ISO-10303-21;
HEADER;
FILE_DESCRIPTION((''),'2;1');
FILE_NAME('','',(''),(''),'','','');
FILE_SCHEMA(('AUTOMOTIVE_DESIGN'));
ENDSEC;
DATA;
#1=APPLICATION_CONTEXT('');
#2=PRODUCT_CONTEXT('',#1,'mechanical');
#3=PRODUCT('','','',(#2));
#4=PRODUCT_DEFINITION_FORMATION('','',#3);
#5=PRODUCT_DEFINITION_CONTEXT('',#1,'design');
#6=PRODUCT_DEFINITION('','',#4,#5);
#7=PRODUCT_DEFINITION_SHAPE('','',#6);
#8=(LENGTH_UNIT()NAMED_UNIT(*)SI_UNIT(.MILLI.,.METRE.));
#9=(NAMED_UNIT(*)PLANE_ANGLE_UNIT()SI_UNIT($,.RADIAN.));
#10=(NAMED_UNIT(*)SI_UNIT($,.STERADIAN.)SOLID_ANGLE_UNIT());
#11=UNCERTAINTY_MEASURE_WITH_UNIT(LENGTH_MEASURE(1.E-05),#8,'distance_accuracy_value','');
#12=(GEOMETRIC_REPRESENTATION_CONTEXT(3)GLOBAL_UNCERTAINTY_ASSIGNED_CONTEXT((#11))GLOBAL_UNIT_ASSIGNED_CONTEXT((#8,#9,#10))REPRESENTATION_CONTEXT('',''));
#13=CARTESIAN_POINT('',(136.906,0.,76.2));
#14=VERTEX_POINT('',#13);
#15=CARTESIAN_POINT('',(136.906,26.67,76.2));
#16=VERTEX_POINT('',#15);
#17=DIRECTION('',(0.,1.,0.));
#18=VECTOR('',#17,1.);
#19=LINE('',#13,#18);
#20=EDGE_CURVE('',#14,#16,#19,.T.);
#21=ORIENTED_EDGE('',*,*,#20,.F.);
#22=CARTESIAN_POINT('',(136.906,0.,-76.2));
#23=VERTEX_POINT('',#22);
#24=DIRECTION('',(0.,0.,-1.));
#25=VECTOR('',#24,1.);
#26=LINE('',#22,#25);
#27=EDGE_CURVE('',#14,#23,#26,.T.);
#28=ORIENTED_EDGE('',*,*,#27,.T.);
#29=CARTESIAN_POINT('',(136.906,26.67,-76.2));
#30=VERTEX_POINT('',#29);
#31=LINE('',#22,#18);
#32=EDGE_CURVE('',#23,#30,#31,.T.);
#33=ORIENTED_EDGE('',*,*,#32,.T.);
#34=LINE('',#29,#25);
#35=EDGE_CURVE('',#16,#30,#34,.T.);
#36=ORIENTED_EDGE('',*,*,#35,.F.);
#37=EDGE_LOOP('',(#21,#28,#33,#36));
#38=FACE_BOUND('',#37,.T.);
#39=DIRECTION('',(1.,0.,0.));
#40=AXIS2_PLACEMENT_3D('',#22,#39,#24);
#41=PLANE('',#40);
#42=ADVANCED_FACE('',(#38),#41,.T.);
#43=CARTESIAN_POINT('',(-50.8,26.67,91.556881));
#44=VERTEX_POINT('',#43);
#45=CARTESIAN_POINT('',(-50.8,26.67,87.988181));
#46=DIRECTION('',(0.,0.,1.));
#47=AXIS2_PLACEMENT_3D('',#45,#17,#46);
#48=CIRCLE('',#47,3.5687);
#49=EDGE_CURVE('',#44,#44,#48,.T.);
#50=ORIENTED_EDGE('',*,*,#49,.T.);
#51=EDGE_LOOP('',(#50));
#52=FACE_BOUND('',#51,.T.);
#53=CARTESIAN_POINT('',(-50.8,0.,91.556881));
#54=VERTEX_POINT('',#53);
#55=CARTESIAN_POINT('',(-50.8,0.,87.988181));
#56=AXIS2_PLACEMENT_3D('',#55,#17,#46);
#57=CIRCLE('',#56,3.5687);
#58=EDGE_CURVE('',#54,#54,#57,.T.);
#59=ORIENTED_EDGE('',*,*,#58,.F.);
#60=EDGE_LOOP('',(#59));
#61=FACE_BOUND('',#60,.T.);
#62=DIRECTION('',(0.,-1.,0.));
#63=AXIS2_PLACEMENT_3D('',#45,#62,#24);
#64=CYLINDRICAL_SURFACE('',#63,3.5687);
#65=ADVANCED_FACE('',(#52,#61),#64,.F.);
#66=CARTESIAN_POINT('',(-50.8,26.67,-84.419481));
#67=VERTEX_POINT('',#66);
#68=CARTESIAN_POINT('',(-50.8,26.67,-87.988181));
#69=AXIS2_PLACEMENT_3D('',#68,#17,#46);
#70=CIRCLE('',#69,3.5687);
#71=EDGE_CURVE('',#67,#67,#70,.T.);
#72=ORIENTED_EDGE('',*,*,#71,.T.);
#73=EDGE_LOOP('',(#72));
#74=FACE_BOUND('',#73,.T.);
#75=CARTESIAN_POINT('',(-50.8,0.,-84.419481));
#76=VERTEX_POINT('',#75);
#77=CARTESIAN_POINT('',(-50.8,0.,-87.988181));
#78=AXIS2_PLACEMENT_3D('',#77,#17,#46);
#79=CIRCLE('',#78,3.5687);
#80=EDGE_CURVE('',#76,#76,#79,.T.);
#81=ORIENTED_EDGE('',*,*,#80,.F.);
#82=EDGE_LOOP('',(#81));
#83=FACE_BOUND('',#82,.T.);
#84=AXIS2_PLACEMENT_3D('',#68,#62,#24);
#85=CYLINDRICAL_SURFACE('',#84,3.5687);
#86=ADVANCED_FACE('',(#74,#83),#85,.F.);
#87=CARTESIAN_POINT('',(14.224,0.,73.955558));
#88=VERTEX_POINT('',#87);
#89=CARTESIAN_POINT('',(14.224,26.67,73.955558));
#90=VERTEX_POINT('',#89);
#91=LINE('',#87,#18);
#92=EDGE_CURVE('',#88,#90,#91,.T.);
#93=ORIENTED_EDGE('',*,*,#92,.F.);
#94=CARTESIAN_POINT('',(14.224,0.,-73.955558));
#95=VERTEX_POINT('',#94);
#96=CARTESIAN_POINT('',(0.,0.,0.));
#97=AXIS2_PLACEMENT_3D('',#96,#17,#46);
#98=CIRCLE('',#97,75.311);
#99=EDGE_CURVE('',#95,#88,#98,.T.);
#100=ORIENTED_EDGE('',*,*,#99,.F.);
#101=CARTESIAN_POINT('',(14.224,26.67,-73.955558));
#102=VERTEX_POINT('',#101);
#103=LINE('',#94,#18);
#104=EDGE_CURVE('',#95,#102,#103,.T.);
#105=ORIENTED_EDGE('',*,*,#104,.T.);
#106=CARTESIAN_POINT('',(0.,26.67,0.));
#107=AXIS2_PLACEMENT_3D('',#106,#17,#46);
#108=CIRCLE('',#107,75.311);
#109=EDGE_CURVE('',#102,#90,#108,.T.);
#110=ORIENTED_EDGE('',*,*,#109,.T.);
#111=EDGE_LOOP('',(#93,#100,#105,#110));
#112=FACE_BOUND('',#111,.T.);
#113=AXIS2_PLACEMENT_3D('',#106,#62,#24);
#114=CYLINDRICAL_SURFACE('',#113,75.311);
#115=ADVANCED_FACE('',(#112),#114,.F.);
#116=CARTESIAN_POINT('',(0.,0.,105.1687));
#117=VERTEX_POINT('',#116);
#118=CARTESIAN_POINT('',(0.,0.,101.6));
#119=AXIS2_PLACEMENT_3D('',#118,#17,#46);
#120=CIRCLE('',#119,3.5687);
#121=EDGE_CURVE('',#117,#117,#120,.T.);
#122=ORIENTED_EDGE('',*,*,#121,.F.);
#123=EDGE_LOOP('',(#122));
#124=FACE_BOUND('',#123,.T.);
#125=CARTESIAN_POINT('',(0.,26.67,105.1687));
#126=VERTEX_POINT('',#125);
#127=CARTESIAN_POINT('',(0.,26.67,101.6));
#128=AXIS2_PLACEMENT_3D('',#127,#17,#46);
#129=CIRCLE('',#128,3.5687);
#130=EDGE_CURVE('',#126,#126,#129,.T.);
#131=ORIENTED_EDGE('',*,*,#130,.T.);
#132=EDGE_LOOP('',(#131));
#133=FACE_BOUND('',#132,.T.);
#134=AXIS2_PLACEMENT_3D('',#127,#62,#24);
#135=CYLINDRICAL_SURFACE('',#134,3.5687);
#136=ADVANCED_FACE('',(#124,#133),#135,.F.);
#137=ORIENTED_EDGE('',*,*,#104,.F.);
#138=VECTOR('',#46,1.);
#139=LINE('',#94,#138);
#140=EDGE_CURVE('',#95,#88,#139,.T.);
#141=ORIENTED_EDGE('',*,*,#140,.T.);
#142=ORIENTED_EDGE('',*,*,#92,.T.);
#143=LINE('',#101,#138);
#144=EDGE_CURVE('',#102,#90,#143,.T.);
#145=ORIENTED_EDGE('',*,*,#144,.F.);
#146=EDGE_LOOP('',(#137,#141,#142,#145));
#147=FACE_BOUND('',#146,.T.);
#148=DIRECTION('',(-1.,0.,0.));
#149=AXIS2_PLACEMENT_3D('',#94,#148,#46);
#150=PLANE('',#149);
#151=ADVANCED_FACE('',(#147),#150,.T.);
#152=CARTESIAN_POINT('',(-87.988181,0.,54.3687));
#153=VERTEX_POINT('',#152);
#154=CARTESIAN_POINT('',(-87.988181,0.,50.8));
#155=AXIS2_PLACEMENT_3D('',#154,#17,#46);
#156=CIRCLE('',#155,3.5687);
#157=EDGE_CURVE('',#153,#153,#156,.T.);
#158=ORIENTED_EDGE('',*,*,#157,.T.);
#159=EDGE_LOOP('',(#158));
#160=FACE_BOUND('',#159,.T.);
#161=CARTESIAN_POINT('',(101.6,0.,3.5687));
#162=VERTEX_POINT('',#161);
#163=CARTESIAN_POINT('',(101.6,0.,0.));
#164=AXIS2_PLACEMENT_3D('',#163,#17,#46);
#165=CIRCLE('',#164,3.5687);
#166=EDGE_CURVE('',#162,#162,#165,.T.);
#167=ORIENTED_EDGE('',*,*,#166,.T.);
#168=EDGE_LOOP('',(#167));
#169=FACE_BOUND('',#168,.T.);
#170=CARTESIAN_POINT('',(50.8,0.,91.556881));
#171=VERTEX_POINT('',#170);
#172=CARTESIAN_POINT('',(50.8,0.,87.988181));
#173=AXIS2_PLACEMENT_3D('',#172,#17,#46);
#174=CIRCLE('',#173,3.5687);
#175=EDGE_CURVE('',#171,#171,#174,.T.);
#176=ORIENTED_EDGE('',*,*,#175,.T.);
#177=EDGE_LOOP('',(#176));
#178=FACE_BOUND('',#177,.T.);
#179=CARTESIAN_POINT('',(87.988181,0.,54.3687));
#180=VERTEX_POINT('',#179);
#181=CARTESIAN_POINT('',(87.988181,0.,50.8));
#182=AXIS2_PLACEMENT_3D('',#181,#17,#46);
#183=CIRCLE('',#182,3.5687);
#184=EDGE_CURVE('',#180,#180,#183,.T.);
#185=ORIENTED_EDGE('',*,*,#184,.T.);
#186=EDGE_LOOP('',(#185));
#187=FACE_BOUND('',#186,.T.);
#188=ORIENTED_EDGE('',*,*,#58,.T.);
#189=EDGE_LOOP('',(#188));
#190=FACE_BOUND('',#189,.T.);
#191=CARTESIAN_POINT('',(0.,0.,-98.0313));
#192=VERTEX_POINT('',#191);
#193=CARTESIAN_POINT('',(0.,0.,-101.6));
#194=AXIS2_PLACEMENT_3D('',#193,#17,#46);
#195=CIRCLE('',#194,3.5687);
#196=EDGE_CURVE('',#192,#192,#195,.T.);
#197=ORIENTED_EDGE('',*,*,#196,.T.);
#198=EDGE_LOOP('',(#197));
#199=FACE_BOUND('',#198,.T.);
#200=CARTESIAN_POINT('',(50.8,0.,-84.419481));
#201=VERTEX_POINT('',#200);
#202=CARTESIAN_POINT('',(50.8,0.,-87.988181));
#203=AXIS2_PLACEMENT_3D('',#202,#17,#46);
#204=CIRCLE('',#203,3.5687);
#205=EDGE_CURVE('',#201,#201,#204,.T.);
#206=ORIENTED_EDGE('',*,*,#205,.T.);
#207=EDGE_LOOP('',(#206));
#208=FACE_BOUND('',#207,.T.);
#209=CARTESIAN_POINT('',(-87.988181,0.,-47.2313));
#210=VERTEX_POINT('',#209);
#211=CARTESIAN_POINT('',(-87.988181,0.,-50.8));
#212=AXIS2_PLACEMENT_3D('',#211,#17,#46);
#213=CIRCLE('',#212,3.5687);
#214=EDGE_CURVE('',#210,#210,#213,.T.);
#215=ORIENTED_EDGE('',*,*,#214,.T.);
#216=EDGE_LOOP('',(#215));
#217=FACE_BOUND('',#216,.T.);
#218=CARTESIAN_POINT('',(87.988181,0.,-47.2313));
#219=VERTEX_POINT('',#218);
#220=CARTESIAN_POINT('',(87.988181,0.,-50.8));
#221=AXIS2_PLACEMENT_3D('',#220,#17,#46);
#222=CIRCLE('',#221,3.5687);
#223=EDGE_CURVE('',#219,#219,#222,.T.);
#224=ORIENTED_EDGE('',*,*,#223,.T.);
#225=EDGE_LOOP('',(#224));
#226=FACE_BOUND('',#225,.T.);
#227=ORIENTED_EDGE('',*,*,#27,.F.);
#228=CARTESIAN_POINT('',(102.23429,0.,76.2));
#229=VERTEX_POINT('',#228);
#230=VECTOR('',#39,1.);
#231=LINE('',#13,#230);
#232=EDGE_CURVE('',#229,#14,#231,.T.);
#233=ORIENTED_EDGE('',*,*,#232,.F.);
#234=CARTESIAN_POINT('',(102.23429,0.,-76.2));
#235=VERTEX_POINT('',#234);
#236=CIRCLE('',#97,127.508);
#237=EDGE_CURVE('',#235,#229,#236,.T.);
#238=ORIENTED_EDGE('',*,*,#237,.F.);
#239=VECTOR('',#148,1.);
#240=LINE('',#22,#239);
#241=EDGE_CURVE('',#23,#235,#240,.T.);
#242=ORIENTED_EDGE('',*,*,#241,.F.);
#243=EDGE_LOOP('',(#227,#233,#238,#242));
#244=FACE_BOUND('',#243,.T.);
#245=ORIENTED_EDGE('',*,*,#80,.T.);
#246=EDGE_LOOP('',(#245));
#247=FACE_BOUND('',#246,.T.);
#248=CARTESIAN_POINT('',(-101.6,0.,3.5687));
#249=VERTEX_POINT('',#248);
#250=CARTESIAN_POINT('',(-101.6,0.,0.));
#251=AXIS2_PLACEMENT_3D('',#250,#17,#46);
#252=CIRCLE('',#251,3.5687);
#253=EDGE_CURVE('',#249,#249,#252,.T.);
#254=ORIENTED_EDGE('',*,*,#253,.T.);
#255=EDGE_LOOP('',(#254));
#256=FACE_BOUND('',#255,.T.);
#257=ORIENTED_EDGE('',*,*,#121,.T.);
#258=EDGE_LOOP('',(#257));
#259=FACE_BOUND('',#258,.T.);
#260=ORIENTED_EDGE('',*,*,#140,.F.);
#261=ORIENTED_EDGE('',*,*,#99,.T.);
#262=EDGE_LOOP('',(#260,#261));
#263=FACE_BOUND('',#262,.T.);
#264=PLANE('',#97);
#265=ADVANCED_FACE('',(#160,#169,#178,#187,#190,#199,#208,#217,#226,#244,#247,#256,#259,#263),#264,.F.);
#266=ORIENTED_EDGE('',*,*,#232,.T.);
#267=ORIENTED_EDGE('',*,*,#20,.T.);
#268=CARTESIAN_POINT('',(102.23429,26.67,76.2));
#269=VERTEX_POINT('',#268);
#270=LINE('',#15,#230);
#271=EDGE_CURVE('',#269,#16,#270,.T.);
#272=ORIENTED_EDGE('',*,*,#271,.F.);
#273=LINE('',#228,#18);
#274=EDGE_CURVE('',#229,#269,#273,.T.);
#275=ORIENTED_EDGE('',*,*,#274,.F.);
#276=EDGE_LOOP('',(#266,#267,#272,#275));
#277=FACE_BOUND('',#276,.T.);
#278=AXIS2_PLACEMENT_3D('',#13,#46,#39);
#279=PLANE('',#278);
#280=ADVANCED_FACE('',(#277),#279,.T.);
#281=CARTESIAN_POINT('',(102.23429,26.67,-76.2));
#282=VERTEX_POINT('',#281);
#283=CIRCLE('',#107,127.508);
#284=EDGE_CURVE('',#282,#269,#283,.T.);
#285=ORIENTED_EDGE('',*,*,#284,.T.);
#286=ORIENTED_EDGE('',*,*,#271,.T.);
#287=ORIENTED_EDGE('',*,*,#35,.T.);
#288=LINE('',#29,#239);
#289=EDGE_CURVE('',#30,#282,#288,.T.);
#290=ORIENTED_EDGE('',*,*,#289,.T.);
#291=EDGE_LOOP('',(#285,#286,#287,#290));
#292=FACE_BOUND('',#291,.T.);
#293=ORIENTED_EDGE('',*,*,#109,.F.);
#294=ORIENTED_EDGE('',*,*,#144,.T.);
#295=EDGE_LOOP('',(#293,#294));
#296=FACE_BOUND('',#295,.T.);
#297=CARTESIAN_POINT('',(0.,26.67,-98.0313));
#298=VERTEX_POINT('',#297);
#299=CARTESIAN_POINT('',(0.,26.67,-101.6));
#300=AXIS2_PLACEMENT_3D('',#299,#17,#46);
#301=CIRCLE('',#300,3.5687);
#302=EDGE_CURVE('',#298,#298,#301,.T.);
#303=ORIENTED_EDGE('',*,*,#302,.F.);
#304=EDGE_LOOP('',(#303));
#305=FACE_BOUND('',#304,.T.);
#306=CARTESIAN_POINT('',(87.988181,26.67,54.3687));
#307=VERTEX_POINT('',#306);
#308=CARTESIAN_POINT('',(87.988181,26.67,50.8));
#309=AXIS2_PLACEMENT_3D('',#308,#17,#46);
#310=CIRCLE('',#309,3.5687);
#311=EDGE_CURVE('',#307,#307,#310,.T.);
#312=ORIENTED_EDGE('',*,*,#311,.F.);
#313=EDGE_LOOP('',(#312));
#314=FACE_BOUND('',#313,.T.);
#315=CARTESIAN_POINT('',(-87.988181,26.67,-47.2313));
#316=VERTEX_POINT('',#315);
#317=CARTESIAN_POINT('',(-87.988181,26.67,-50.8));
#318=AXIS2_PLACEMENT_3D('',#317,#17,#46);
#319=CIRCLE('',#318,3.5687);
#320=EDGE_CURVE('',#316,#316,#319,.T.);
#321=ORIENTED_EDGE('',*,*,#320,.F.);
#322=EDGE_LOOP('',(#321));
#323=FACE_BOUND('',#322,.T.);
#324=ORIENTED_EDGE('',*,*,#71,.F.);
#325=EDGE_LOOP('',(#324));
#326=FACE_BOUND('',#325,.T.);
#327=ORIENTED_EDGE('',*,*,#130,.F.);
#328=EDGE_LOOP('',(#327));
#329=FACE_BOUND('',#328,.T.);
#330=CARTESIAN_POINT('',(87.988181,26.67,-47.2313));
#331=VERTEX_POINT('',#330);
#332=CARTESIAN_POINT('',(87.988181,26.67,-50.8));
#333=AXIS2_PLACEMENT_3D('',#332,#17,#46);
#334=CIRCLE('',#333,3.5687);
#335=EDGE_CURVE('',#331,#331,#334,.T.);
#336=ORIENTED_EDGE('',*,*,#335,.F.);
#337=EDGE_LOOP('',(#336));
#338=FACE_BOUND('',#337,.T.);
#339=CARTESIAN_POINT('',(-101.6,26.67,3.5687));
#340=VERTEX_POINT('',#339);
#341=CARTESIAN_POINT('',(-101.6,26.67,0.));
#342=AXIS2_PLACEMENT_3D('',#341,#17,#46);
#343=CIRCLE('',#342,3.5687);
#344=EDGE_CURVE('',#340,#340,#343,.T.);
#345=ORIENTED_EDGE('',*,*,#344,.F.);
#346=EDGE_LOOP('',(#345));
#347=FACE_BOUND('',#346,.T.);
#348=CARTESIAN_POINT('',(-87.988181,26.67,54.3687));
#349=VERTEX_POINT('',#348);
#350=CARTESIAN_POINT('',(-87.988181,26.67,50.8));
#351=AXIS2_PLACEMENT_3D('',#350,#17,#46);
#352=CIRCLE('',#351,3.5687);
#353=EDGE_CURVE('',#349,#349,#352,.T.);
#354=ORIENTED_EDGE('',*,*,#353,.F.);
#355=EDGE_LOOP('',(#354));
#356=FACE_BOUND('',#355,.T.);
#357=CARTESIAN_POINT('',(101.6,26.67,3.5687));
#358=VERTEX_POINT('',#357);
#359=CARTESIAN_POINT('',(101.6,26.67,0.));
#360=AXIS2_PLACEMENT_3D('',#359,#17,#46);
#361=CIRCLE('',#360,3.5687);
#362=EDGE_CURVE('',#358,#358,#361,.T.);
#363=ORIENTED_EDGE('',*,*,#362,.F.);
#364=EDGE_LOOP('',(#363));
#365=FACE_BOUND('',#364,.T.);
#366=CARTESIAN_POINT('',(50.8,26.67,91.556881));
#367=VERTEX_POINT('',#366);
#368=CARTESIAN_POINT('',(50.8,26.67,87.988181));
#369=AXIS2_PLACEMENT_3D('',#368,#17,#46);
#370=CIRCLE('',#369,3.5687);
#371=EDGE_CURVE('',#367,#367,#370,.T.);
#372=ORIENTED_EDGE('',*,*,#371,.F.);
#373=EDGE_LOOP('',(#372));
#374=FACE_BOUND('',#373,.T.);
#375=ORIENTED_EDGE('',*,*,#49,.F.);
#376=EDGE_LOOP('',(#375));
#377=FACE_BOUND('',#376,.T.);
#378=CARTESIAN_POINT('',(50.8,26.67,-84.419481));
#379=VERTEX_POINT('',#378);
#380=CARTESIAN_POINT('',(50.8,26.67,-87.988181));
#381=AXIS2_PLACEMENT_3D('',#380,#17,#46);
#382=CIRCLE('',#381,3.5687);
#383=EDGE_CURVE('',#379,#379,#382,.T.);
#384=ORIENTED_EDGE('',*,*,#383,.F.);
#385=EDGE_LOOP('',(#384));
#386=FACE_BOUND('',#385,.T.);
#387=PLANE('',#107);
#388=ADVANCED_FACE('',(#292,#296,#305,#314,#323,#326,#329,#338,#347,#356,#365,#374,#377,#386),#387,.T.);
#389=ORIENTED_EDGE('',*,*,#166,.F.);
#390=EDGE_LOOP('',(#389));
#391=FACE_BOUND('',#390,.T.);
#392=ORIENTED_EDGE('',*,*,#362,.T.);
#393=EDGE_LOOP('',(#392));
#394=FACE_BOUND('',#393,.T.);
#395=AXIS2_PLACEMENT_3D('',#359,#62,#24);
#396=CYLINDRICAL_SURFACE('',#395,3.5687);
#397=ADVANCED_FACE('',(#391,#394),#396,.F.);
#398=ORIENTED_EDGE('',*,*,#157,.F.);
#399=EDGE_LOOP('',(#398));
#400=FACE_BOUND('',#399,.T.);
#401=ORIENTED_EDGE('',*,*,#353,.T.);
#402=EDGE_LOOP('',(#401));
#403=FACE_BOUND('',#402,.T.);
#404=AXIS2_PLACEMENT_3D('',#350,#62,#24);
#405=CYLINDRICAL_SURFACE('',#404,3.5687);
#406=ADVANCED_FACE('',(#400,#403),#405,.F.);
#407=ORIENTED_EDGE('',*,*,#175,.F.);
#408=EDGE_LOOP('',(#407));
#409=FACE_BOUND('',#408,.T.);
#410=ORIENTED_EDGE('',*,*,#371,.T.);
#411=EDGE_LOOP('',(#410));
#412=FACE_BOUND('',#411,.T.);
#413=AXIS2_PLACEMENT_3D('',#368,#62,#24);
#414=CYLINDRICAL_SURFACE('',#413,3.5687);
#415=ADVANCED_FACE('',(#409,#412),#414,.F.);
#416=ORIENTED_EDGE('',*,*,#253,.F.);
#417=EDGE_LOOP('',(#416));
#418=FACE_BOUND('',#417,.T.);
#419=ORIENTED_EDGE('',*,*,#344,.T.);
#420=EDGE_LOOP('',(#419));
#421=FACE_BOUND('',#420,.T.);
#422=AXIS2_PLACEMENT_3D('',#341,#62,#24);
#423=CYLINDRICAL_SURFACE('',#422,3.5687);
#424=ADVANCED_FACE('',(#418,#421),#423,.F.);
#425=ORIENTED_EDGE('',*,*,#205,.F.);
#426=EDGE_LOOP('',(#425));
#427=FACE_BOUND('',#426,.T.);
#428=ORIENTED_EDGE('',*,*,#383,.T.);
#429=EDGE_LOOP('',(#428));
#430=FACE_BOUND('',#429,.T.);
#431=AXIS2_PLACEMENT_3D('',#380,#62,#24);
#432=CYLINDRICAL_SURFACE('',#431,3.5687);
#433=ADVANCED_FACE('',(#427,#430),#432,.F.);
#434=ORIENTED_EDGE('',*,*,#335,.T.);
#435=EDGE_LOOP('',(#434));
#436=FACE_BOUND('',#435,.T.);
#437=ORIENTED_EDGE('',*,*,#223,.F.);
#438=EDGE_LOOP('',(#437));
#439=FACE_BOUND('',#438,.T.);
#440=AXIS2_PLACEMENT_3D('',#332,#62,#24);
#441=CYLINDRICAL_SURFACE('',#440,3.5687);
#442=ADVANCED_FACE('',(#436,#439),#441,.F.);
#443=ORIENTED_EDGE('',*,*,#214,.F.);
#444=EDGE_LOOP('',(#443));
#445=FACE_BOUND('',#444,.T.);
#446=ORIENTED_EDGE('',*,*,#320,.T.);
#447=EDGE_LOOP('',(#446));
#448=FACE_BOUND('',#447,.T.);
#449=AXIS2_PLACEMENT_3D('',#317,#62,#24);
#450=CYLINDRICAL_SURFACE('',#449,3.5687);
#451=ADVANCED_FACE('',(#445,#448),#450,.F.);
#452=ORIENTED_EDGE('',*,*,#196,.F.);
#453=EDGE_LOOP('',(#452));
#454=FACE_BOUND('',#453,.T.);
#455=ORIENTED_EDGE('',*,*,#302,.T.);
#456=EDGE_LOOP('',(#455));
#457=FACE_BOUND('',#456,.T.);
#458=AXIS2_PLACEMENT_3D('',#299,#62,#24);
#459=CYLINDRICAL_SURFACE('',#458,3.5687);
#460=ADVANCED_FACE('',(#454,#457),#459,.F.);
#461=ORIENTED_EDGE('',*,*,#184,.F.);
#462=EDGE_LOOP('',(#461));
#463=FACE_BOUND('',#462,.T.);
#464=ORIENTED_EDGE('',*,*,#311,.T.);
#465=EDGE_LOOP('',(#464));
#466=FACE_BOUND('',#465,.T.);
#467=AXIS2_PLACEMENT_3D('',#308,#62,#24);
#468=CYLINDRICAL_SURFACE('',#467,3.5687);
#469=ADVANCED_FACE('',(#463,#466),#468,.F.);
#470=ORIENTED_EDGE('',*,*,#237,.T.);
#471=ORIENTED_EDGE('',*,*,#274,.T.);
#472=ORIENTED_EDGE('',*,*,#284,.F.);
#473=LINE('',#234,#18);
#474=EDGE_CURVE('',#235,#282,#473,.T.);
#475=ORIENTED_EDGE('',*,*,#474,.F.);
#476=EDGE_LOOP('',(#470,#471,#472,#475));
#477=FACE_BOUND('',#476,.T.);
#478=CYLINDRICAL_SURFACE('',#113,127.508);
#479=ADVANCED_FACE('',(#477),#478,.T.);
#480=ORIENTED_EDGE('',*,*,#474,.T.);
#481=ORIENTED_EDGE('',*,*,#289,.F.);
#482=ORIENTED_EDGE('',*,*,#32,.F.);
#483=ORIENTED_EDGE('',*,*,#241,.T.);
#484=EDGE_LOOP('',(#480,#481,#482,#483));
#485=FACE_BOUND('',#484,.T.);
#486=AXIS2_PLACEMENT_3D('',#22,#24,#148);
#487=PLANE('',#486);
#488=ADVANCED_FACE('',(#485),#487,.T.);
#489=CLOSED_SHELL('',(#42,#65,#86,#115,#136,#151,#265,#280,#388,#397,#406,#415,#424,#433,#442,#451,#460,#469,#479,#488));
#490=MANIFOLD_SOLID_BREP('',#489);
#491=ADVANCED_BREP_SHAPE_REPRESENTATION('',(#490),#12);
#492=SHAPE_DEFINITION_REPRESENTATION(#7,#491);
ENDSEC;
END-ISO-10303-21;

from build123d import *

# Parameters (mm, degrees)
SKETCH1_R           = 127.508
SKETCH1_R_2         = 75.311
SKETCH1_R_3         = 3.5687
BOSS_EXTRUDE1_DEPTH = 26.67
BOSS_EXTRUDE2_DEPTH = 26.67


with BuildPart() as part:
    # Sketch1 → Boss-Extrude1 (new body)
    with BuildSketch(Plane(origin=(0, 0, 0), x_dir=(1, 0, 0), z_dir=(0, 1, 0))):
        Circle(SKETCH1_R)
        Circle(SKETCH1_R_2, mode=Mode.SUBTRACT)
        with Locations((0, 101.6)):
            Circle(SKETCH1_R_3, mode=Mode.SUBTRACT)
        with Locations((50.8, 87.988181024)):
            Circle(SKETCH1_R_3, mode=Mode.SUBTRACT)
        with Locations((87.988181025, 50.8)):
            Circle(SKETCH1_R_3, mode=Mode.SUBTRACT)
        with Locations((101.6, 0)):
            Circle(SKETCH1_R_3, mode=Mode.SUBTRACT)
        with Locations((87.988181025, -50.8)):
            Circle(SKETCH1_R_3, mode=Mode.SUBTRACT)
        with Locations((50.8, -87.988181024)):
            Circle(SKETCH1_R_3, mode=Mode.SUBTRACT)
        with Locations((0, -101.6)):
            Circle(SKETCH1_R_3, mode=Mode.SUBTRACT)
        with Locations((-50.8, -87.988181025)):
            Circle(SKETCH1_R_3, mode=Mode.SUBTRACT)
        with Locations((-87.988181024, -50.8)):
            Circle(SKETCH1_R_3, mode=Mode.SUBTRACT)
        with Locations((-101.6, 0)):
            Circle(SKETCH1_R_3, mode=Mode.SUBTRACT)
        with Locations((-87.988181024, 50.8)):
            Circle(SKETCH1_R_3, mode=Mode.SUBTRACT)
        with Locations((-50.8, 87.988181024)):
            Circle(SKETCH1_R_3, mode=Mode.SUBTRACT)
    extrude(amount=BOSS_EXTRUDE1_DEPTH)

    # Sketch2 → Boss-Extrude2 (add, through all)
    with BuildSketch(Plane(origin=(0, 26.67, 0), x_dir=(1, 0, 0), z_dir=(0, 1, 0))):
        with BuildLine():
            Line((14.224, 73.955557905), (14.224, -73.955557905))
            ThreePointArc((14.224, -73.955557905), (75.311, 0), (14.224, 73.955557905))
        make_face()
        with BuildLine():
            Line((136.906, 76.2), (136.906, -76.2))
            Line((136.906, -76.2), (102.23429006, -76.2))
            ThreePointArc((102.23429006, -76.2), (127.508, 0), (102.23429006, 76.2))
            Line((102.23429006, 76.2), (136.906, 76.2))
        make_face()
    extrude(amount=-BOSS_EXTRUDE2_DEPTH)


solid = part.part
